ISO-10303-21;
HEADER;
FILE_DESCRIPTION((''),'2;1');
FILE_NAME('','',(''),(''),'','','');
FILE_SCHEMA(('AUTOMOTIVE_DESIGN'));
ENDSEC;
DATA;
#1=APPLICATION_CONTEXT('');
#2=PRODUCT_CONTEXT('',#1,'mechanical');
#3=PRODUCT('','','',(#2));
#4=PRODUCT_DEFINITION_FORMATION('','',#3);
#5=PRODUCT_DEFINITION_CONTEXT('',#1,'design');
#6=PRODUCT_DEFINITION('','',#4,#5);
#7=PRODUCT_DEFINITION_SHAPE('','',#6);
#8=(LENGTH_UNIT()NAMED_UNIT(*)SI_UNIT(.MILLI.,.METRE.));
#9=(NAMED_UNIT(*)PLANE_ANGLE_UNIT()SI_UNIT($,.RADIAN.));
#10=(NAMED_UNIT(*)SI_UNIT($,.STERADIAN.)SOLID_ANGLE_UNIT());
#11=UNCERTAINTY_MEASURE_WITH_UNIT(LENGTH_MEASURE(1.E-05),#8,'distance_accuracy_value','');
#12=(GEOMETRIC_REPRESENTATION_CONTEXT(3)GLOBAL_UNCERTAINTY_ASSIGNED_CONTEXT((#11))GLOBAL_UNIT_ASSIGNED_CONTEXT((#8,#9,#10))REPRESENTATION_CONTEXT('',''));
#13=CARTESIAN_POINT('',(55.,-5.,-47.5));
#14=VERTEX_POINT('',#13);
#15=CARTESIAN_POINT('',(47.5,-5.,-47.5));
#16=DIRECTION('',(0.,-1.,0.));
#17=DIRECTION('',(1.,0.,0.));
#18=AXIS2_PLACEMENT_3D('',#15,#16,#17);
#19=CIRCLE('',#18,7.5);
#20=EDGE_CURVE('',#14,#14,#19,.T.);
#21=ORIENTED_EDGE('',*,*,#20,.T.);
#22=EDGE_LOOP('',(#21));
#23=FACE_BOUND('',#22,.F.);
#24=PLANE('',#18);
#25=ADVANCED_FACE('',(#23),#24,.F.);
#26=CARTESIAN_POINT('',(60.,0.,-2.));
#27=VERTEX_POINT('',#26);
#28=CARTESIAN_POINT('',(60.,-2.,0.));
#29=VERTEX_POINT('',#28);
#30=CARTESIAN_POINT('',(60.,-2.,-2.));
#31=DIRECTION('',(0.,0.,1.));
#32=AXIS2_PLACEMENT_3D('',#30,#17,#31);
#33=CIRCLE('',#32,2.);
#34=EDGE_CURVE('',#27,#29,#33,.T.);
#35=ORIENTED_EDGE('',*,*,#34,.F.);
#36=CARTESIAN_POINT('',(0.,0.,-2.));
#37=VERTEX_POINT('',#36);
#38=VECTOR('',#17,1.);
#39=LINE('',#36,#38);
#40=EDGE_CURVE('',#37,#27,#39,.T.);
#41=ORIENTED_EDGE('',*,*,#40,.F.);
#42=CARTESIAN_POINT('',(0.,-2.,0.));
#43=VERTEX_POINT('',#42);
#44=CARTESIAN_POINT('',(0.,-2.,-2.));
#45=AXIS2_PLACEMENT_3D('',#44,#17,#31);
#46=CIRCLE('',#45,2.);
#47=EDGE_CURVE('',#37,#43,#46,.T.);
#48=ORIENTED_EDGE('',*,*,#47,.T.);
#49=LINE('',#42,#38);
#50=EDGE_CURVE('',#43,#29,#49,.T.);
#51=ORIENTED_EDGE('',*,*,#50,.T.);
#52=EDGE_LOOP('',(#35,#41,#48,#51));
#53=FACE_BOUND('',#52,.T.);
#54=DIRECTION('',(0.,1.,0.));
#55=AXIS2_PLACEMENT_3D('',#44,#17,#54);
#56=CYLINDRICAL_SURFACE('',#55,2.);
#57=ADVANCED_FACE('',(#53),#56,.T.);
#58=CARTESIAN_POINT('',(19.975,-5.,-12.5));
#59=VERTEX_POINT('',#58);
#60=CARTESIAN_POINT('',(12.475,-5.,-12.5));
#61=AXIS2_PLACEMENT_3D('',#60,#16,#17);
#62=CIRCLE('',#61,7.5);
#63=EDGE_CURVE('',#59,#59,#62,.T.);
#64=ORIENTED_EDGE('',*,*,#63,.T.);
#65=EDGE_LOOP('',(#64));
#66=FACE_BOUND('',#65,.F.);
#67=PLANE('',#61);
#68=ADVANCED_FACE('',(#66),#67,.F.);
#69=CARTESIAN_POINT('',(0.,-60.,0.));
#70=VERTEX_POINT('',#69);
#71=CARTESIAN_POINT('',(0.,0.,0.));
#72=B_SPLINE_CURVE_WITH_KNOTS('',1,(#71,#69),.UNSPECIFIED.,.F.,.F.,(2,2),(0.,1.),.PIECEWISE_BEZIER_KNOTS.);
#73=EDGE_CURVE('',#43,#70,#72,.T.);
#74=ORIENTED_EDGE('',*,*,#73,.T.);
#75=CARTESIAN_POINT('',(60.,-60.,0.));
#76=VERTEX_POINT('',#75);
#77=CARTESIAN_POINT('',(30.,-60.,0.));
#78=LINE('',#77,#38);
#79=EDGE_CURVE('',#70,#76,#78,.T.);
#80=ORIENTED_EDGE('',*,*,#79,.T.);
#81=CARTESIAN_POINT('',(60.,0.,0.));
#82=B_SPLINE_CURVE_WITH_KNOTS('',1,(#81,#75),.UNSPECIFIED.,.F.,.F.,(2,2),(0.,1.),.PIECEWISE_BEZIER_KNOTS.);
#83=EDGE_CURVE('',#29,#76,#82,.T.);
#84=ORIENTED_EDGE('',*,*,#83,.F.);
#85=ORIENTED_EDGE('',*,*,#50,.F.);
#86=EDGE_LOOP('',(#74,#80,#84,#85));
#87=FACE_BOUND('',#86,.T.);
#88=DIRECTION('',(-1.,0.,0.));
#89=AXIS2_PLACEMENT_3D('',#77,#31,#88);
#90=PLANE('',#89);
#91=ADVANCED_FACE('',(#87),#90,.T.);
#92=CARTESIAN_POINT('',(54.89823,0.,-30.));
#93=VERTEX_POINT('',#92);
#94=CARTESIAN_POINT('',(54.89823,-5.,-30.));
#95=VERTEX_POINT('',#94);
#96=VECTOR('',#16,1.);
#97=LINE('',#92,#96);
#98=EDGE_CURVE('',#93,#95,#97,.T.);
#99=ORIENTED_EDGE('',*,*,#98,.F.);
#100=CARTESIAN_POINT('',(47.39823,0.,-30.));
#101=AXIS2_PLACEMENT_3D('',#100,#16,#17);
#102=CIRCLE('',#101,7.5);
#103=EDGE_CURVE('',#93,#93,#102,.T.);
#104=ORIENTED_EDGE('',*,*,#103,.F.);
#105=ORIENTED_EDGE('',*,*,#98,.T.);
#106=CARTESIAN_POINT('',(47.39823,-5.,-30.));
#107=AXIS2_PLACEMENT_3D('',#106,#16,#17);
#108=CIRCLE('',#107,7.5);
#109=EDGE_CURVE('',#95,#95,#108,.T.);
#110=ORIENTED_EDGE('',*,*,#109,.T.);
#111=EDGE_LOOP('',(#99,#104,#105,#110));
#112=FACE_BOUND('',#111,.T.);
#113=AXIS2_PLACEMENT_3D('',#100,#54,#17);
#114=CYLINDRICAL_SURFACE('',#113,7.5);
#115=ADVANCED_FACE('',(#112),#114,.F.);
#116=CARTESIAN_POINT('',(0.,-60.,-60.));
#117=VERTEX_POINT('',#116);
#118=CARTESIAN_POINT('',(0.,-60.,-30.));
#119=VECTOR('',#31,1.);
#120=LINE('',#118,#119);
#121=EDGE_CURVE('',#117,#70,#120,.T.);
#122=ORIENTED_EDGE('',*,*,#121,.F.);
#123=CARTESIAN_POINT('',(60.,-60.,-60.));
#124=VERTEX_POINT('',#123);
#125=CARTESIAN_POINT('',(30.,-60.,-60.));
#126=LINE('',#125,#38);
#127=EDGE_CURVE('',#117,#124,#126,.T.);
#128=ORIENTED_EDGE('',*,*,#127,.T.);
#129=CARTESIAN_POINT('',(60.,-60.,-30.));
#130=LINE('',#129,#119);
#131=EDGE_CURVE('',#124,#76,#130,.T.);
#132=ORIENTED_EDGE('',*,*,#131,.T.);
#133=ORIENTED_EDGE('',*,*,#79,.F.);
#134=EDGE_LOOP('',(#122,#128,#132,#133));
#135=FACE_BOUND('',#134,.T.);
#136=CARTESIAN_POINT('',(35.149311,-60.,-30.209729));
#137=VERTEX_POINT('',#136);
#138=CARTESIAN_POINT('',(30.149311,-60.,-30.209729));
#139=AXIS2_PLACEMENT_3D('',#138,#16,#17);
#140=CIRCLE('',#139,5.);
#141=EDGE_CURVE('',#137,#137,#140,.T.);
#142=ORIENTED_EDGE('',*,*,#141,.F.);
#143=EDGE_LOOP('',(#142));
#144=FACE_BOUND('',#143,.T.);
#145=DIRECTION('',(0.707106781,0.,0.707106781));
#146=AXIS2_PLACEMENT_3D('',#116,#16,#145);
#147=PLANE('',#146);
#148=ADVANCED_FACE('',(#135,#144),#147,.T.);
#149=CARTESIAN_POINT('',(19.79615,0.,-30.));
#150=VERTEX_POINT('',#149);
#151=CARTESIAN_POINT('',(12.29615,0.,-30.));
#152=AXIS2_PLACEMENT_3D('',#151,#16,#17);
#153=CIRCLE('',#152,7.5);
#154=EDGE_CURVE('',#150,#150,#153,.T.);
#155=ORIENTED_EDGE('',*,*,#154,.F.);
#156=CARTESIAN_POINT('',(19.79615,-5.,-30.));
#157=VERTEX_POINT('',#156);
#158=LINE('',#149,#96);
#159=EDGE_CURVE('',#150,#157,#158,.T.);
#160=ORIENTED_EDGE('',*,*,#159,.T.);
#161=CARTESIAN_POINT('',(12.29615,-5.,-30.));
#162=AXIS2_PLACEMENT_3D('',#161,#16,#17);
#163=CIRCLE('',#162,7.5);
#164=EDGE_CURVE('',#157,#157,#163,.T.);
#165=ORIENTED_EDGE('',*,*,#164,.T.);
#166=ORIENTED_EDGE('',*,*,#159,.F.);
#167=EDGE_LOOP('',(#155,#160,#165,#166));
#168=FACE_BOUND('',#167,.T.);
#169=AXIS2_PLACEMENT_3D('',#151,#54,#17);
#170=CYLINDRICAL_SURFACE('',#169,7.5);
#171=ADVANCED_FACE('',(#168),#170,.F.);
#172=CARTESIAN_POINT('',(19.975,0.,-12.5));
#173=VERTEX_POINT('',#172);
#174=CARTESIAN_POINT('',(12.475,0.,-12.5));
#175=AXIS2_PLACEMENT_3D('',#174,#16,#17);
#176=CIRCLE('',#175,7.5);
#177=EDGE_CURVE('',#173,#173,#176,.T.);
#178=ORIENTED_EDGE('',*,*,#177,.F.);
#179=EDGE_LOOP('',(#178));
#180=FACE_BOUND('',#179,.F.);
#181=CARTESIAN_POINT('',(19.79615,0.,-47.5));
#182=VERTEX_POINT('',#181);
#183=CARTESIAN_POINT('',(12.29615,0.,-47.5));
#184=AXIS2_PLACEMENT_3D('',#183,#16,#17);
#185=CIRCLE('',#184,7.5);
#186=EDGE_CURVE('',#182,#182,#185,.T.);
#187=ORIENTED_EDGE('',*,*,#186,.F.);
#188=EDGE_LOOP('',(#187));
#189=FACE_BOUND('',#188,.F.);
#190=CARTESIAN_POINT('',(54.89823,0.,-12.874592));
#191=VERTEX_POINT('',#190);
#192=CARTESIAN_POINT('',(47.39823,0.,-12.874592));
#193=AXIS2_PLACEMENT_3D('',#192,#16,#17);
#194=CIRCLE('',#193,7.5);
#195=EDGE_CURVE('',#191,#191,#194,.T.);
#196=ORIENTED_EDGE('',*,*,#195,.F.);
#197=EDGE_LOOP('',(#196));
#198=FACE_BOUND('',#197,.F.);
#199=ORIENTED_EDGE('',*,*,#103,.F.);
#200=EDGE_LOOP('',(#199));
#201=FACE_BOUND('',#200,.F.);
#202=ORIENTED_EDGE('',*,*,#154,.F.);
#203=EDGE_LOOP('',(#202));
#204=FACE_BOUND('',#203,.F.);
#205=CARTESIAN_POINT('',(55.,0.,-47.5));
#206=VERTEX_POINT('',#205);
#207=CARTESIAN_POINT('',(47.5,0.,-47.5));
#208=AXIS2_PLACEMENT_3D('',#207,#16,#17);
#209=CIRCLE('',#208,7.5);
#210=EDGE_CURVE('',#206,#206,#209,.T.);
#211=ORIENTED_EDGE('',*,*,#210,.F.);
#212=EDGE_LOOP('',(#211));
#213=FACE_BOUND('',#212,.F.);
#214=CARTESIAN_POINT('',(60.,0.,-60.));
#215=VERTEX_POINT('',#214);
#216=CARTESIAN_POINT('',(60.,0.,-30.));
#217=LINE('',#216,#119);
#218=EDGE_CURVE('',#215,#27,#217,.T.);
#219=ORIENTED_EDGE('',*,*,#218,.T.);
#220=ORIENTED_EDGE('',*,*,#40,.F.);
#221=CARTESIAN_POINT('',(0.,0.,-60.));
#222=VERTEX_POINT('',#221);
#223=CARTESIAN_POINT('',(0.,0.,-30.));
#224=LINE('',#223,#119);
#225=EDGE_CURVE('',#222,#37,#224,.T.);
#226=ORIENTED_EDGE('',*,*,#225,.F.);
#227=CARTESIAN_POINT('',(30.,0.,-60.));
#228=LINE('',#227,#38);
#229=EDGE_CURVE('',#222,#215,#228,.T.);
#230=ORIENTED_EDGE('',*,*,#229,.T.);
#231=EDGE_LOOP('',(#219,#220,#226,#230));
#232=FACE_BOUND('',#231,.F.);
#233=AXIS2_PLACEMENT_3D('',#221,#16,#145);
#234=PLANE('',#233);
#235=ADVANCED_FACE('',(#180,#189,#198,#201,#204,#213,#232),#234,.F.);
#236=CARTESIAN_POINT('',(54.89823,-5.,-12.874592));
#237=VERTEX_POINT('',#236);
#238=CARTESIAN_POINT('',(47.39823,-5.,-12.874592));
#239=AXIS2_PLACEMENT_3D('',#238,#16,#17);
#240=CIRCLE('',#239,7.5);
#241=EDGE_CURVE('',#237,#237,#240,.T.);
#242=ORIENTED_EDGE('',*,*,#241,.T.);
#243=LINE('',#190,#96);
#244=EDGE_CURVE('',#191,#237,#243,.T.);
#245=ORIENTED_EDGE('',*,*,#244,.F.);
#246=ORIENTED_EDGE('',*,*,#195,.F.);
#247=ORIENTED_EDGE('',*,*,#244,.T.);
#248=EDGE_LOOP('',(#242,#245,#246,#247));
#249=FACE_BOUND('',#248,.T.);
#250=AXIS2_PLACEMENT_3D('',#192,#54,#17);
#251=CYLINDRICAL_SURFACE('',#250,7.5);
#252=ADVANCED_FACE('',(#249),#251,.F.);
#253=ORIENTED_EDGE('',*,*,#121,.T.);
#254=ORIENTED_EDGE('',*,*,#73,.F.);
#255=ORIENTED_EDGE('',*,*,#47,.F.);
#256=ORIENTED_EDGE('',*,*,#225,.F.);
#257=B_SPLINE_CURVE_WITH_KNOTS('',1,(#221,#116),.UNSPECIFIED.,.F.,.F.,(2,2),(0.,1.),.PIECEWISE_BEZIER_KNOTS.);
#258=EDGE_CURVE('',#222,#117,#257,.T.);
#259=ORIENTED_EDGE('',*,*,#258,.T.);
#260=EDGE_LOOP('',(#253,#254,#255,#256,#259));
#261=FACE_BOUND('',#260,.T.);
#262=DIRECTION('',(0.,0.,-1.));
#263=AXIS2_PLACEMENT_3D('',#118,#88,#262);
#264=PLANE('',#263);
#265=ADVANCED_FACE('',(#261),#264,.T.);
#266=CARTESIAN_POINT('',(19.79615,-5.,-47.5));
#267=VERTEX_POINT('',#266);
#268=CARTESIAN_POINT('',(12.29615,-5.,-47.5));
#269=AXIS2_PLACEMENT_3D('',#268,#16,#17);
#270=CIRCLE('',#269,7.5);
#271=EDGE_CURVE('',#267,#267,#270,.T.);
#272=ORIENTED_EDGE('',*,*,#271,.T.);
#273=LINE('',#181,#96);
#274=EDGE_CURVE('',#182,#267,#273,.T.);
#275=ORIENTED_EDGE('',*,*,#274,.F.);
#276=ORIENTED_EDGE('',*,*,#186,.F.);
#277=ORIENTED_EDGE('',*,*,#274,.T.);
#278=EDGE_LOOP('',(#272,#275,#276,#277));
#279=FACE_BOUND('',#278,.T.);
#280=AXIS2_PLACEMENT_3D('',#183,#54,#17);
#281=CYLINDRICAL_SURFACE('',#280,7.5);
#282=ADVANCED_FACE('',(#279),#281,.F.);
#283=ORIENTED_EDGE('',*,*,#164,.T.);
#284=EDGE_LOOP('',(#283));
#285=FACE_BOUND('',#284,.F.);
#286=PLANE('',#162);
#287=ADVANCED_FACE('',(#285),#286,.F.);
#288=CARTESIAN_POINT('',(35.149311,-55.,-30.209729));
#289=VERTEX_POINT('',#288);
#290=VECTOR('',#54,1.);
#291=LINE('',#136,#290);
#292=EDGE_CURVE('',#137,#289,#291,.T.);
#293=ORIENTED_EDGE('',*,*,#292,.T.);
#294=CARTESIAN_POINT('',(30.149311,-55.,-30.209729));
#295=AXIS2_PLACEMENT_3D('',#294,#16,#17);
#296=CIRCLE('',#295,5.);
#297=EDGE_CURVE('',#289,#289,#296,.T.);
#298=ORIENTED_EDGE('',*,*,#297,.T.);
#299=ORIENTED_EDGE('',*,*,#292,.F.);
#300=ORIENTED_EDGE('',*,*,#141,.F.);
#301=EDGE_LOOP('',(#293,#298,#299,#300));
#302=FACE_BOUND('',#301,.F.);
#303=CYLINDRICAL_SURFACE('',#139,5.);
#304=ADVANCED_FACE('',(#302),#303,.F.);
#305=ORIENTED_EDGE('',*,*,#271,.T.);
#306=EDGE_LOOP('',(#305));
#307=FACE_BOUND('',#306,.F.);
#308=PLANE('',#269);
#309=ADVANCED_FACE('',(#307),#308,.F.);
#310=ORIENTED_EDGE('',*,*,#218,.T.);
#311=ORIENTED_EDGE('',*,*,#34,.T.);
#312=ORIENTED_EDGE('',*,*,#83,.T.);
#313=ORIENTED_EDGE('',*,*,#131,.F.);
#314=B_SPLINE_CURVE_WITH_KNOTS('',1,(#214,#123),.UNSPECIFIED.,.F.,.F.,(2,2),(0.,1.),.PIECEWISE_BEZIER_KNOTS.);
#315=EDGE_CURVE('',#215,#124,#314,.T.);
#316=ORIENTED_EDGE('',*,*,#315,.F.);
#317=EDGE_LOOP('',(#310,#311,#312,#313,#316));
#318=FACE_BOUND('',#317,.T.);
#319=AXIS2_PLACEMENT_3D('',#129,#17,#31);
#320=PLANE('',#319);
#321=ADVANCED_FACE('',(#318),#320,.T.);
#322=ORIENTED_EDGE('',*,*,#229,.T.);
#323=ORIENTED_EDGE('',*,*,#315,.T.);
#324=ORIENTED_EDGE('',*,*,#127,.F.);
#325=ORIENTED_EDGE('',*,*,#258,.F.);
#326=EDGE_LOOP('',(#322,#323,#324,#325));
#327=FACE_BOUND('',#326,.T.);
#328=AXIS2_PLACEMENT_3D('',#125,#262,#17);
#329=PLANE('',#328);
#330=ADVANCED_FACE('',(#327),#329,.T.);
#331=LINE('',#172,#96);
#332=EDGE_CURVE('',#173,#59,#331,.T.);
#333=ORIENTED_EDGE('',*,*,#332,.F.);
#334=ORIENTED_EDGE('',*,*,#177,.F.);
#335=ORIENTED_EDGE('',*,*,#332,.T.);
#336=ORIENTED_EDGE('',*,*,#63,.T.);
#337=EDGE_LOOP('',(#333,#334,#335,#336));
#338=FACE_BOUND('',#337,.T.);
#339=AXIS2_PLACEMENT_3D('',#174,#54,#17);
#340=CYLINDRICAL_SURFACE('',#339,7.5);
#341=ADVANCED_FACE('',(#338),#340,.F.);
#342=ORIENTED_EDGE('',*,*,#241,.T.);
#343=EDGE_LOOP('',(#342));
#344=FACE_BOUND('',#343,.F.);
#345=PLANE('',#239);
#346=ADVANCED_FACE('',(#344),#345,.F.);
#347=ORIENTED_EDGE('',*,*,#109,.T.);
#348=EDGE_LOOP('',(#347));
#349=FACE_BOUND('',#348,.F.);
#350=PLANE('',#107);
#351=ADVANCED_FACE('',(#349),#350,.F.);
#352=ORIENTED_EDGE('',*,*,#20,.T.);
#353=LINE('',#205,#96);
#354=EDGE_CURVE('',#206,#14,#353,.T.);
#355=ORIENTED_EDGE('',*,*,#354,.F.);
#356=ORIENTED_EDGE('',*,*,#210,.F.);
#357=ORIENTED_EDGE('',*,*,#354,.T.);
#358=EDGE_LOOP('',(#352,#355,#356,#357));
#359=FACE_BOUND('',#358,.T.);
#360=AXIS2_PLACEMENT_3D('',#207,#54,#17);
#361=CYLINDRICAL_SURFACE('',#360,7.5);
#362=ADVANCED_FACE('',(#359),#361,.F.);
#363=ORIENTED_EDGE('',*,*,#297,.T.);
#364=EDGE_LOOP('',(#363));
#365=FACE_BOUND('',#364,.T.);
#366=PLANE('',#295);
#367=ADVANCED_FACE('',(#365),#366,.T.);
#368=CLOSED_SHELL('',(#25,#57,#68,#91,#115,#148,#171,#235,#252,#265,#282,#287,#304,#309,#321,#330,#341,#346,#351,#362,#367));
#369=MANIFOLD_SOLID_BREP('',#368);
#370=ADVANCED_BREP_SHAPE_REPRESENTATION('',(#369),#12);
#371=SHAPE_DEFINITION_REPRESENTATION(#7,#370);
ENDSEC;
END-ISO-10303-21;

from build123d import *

# Parameters (mm, degrees)
F0_W     = 60
F0_H     = 60
F2_W     = 60
F2_H     = 60
F5_R     = 5
F6_DEPTH = 5
F7_R     = 7.5
F8_DEPTH = 5
F9_R     = 2


with BuildPart() as f3:
    # F0 (on Front) → F3 section 0
    with BuildSketch(Plane.XZ):
        with Locations((30, -30)):
            Rectangle(F0_W, F0_H)
    # F2 (on offset) → F3 section 1
    with BuildSketch(Plane.XZ.offset(60)):
        with Locations((30, -30)):
            Rectangle(F2_W, F2_H)
    loft()

    # F5 (on offset) → F6 (cut)
    with BuildSketch(Plane.XZ.offset(60)):
        with Locations((30.1493108273, -30.2097292106)):
            Circle(F5_R)
    extrude(amount=-F6_DEPTH, mode=Mode.SUBTRACT)

    # F7 (on Front) → F8 (cut)
    with BuildSketch(Plane.XZ):
        with Locations((47.3982296399, -12.8745916897)):
            Circle(F7_R)
        with Locations((12.4750004448, -12.5)):
            Circle(F7_R)
        with Locations((47.3982296399, -30)):
            Circle(F7_R)
        with Locations((12.2961504385, -30)):
            Circle(F7_R)
        with Locations((47.5, -47.5)):
            Circle(F7_R)
        with Locations((12.2961504385, -47.5)):
            Circle(F7_R)
    extrude(amount=F8_DEPTH, mode=Mode.SUBTRACT)

    # F9
    f9_edges = [f3.edges().sort_by_distance(p)[0] for p in [
        (30, 0, 0),
    ]]
    fillet(f9_edges, radius=F9_R)


solid = f3.part
